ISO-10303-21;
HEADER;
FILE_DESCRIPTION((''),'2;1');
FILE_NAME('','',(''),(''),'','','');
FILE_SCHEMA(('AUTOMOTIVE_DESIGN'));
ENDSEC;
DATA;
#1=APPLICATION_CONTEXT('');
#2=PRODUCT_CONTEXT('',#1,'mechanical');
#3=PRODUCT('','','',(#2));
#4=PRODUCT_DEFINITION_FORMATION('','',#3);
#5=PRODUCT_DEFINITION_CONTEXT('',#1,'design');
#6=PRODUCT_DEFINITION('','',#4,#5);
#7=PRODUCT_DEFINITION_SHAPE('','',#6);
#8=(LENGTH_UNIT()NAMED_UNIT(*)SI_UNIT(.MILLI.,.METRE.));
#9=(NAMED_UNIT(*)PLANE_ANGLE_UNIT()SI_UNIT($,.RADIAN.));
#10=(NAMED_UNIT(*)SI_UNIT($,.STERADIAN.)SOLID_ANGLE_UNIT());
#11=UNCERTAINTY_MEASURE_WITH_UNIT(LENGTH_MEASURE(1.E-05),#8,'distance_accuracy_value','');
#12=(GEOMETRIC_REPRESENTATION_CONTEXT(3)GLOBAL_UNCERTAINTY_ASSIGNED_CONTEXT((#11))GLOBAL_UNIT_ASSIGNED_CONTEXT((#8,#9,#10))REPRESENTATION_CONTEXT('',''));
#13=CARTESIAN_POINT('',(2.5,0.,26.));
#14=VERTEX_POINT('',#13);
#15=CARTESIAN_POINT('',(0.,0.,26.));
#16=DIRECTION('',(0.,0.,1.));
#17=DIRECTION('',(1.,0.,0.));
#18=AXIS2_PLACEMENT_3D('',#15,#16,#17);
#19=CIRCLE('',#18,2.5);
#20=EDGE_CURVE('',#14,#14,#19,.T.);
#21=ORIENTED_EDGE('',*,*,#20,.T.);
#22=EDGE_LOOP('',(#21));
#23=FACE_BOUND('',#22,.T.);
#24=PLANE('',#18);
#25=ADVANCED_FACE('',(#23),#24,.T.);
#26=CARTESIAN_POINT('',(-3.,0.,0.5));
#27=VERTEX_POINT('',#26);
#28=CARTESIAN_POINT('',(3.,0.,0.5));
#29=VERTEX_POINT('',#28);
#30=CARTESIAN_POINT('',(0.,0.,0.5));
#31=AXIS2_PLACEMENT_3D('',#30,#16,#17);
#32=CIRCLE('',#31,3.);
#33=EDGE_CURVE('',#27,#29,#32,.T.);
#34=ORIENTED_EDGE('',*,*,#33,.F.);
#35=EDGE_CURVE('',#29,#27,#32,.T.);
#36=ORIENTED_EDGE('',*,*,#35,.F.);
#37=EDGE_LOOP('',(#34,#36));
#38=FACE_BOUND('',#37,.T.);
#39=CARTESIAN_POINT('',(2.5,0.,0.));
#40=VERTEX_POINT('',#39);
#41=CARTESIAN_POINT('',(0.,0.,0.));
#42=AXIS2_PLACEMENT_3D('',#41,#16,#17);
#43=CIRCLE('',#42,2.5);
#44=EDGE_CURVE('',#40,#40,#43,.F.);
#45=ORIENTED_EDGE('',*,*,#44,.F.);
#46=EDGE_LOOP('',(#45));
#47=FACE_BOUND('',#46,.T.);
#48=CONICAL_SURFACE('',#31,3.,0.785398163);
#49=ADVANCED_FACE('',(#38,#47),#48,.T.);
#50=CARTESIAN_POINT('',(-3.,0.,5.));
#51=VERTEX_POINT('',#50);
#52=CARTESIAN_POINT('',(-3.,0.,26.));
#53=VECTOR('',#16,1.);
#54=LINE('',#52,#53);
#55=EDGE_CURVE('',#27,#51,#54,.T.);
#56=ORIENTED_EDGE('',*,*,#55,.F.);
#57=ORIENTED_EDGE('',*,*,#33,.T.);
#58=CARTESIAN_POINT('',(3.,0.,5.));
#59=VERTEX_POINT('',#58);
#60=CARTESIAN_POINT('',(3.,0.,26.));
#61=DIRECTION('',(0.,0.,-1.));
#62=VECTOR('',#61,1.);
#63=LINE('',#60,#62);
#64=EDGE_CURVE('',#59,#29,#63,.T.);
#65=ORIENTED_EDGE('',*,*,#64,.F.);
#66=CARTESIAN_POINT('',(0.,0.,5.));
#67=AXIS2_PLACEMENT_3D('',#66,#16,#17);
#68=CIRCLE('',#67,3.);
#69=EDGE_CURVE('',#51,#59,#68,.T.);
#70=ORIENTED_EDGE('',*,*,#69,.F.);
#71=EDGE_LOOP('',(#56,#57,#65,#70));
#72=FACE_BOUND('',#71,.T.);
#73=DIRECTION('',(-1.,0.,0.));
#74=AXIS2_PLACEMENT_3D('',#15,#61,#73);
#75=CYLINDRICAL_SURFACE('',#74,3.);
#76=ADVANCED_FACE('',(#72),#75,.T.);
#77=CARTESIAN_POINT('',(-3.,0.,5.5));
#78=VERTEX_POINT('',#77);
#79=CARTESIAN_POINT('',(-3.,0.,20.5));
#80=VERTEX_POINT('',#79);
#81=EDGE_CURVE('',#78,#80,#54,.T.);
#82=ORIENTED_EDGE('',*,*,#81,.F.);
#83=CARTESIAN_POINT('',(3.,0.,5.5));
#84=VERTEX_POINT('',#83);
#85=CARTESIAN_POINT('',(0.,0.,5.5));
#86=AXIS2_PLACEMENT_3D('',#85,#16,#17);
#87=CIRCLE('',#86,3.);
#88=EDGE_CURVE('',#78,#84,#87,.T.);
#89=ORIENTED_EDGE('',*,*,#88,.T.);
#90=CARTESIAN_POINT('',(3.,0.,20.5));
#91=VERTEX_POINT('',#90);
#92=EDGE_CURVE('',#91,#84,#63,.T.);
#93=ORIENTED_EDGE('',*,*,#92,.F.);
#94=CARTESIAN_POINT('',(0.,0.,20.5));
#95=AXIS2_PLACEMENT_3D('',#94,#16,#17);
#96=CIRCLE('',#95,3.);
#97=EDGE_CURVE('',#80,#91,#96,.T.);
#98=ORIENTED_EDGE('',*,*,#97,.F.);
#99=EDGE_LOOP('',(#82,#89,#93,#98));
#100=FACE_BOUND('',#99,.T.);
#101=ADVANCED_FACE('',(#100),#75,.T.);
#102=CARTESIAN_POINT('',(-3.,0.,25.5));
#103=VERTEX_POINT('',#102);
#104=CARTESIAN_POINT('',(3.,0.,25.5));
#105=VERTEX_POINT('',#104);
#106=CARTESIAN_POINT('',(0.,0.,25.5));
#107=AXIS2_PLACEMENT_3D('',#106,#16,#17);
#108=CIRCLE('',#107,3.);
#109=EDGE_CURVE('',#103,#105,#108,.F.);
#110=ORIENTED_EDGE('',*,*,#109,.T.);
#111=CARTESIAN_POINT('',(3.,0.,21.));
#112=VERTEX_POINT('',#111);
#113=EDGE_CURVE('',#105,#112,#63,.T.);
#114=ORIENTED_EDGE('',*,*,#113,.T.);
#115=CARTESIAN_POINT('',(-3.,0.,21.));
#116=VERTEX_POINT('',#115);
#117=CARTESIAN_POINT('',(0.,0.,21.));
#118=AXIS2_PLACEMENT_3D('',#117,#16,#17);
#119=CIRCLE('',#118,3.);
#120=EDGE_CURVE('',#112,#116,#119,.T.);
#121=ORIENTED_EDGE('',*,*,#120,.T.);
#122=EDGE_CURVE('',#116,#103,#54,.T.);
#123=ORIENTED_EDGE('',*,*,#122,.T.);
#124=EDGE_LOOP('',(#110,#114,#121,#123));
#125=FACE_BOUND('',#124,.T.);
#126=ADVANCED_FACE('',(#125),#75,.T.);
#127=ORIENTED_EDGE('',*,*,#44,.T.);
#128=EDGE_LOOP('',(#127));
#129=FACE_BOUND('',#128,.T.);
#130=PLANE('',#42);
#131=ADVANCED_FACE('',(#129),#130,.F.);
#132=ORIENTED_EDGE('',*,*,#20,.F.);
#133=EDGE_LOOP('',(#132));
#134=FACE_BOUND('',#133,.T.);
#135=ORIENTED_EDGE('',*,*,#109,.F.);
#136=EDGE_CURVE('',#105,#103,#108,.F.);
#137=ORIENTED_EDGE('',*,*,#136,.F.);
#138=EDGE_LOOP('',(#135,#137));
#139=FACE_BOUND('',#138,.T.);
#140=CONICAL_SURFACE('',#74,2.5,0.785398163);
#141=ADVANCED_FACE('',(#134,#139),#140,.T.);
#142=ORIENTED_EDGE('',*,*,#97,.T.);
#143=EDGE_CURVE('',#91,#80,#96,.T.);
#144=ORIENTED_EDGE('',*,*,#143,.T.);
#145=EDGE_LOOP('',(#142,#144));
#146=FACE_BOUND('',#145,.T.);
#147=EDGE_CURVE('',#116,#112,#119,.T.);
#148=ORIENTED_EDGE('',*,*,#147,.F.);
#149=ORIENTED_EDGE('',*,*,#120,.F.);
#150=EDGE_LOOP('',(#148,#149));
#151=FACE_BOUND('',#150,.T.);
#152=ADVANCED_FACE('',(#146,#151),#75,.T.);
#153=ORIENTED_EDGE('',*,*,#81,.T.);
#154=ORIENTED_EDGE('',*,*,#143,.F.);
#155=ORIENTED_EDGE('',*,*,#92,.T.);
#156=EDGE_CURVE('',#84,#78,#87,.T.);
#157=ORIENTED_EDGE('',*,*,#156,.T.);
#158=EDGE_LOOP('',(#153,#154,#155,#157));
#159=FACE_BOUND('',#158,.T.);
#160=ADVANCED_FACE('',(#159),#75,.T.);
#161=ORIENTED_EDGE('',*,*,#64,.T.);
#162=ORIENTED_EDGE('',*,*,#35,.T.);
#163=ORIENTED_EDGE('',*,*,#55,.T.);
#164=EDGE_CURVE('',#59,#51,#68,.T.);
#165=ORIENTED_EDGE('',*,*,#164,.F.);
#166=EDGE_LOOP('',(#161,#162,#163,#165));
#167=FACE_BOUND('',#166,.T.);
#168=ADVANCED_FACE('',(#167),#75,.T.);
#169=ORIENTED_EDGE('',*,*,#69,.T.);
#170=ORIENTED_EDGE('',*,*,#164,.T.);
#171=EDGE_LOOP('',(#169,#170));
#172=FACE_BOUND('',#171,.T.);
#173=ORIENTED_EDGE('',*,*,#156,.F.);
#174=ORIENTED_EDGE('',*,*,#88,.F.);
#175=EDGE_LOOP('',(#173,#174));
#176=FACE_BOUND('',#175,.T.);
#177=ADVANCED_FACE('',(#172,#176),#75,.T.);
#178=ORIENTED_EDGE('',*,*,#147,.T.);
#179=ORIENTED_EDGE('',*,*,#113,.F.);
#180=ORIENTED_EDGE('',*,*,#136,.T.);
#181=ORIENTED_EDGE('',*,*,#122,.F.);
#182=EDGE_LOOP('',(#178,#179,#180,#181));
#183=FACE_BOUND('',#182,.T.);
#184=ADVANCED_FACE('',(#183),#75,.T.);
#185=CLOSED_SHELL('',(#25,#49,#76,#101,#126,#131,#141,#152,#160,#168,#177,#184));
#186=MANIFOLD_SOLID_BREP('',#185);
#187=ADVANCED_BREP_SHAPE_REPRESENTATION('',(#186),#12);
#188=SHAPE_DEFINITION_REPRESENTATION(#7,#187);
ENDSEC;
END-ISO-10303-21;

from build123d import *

# Parameters (mm, degrees)
ESQUISSE1_R        = 3
BOSS_EXTRU_1_DEPTH = 26
CHANFREIN1_SIZE    = 0.5


with BuildPart() as part:
    # Esquisse1 → Boss.-Extru.1 (new body)
    with BuildSketch(Plane.XY):
        Circle(ESQUISSE1_R)
    extrude(amount=BOSS_EXTRU_1_DEPTH)

    # Chanfrein1
    chanfrein1_edges = [part.edges().sort_by_distance(p)[0] for p in [
        (-3, 0, 0),
        (-3, 0, 26),
    ]]
    chamfer(chanfrein1_edges, length=CHANFREIN1_SIZE)


solid = part.part
